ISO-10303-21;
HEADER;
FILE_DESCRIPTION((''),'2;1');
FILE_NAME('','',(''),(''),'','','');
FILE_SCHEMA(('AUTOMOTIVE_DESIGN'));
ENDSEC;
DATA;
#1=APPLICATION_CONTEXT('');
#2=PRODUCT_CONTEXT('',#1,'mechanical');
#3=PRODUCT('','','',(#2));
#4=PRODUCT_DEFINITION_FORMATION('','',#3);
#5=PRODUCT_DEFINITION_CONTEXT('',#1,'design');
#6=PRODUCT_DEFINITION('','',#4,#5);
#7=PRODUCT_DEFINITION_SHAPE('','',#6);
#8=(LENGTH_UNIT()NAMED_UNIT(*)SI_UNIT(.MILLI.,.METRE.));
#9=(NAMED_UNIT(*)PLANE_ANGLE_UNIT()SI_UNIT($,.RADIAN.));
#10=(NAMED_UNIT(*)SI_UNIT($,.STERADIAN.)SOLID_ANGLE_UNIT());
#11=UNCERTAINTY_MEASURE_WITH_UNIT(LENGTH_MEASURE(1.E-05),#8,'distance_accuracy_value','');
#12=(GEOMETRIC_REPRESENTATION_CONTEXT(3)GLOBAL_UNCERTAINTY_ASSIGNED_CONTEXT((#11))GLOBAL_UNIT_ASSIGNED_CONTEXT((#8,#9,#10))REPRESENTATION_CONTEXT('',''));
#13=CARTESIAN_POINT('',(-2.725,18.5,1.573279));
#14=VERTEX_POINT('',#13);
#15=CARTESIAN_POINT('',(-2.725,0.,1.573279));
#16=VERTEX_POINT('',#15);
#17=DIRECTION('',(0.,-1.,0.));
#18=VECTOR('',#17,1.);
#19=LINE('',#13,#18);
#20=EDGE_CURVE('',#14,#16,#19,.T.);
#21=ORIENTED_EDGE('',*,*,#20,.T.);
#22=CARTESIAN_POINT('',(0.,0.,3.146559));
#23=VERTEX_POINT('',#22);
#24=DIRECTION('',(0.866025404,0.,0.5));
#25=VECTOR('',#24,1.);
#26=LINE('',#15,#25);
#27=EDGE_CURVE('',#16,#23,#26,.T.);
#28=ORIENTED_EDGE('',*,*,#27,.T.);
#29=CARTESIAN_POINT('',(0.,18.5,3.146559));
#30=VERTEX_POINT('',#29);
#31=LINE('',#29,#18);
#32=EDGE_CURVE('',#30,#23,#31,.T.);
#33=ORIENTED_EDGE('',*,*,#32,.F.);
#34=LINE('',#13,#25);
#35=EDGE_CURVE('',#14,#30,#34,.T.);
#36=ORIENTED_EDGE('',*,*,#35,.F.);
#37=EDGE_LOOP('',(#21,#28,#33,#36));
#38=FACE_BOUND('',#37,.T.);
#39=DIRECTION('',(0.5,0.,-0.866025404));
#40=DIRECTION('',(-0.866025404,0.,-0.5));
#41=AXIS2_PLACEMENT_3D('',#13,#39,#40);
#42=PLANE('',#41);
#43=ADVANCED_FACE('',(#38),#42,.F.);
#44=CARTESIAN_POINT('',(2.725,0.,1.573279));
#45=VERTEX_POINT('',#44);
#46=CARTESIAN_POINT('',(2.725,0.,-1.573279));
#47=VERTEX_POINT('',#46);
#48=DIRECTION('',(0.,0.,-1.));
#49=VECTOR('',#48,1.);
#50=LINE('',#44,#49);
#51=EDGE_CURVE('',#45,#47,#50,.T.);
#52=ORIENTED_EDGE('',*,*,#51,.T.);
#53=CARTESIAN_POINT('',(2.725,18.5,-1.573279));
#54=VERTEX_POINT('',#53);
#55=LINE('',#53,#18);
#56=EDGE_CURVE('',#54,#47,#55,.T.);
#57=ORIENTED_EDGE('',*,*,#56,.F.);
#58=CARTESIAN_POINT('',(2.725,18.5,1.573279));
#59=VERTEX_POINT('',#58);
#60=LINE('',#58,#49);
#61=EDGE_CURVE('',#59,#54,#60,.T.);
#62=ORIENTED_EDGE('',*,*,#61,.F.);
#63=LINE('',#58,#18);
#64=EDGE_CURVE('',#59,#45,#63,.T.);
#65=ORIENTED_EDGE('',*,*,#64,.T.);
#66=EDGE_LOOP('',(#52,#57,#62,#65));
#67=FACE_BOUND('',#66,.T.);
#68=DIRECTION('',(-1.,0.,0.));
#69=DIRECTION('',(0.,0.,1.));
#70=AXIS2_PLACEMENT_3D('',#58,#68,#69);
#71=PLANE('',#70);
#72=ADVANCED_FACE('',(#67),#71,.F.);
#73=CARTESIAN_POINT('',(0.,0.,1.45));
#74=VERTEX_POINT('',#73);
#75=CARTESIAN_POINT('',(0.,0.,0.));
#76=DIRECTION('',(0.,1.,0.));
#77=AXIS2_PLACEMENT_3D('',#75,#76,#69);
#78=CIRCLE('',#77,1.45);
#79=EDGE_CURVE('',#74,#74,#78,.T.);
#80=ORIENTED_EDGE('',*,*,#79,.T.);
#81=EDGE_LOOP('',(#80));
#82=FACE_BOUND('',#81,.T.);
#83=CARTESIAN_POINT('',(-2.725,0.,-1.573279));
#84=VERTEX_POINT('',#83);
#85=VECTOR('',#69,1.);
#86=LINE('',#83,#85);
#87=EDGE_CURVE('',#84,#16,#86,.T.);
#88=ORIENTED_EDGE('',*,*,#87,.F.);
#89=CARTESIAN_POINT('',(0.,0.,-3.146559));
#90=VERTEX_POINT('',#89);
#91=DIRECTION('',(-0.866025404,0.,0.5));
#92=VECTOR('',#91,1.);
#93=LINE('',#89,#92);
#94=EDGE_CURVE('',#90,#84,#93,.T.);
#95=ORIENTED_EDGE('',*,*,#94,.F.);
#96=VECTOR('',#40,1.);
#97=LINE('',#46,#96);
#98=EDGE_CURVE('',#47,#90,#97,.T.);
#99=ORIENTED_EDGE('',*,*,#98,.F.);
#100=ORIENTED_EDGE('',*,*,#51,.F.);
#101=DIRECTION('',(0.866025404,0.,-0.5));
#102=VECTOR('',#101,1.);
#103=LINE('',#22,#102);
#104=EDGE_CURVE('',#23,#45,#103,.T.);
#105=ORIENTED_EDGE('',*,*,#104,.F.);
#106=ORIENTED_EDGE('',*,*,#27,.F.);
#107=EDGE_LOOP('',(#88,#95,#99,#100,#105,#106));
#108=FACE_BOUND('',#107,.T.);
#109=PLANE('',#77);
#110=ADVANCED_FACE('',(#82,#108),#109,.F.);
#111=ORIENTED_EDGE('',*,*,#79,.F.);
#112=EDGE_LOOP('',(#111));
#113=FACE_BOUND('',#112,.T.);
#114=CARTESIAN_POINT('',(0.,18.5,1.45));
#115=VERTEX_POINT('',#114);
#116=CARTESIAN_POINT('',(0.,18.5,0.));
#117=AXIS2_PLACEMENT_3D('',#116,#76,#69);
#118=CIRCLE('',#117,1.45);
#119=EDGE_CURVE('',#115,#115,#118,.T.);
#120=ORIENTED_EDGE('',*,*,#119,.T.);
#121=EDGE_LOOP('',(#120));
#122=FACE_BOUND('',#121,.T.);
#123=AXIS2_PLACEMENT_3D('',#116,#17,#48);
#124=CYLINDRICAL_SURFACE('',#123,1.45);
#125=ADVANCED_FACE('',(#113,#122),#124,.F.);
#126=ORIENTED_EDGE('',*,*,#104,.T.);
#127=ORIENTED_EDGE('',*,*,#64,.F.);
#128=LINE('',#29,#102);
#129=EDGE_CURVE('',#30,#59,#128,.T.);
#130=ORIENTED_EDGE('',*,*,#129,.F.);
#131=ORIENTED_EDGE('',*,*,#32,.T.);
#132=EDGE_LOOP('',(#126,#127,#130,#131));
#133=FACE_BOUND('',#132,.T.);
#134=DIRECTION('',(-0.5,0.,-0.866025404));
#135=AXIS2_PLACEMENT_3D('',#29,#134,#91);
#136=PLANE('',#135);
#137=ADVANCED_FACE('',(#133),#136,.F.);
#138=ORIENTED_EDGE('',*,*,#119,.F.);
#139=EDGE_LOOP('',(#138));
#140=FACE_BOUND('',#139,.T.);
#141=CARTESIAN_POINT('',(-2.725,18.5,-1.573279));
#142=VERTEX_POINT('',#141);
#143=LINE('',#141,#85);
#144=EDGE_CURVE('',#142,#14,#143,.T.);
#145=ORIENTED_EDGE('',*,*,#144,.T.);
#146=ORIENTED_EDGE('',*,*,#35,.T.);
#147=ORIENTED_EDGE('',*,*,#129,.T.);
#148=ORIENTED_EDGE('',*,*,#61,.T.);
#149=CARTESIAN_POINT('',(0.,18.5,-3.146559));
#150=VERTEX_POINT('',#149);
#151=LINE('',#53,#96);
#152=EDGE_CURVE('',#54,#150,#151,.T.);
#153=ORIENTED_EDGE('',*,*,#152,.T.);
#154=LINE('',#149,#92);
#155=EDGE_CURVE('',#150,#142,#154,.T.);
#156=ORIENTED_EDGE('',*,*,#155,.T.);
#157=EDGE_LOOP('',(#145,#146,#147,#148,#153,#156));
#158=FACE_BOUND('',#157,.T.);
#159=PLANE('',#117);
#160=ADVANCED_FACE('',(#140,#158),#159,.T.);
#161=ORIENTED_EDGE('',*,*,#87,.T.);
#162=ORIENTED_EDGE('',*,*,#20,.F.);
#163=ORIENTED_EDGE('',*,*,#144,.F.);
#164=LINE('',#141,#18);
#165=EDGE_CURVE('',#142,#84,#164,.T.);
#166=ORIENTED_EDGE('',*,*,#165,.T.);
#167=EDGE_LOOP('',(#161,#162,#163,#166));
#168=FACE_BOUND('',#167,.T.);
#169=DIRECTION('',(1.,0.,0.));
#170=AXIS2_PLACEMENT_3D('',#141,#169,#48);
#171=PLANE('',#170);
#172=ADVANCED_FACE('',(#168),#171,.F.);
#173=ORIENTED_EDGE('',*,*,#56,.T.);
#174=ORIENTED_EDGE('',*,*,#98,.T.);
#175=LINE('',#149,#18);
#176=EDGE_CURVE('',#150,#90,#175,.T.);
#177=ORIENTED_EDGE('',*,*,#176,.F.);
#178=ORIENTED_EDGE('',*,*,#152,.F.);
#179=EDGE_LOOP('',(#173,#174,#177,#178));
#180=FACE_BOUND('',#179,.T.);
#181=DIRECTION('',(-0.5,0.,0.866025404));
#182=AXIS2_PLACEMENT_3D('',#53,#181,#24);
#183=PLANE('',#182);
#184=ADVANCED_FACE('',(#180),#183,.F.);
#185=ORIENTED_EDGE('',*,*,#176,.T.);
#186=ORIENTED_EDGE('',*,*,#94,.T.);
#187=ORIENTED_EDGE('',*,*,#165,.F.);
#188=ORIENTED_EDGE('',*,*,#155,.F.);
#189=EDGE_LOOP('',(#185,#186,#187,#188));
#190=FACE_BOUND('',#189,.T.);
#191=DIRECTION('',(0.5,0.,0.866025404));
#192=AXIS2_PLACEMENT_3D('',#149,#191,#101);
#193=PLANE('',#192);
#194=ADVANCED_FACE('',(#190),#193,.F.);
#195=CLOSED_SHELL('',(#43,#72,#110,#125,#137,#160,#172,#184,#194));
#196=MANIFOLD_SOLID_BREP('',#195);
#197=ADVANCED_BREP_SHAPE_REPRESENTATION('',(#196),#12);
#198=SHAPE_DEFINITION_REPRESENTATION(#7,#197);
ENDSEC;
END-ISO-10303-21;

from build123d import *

# Parameters (mm, degrees)
SKETCH1_R           = 1.45
BOSS_EXTRUDE1_DEPTH = 18.5


with BuildPart() as part:
    # Sketch1 → Boss-Extrude1 (new body)
    with BuildSketch(Plane(origin=(0, 0, 0), x_dir=(1, 0, 0), z_dir=(0, 1, 0))):
        Polygon((0, 3.146558967), (-2.725, 1.573279484), (-2.725, -1.573279484), (0, -3.146558967), (2.725, -1.573279484), (2.725, 1.573279484), align=None)
        with Locations(Location((0, 0, 0), (0, 0, 270))):
            Circle(SKETCH1_R, mode=Mode.SUBTRACT)
    extrude(amount=BOSS_EXTRUDE1_DEPTH)


solid = part.part
